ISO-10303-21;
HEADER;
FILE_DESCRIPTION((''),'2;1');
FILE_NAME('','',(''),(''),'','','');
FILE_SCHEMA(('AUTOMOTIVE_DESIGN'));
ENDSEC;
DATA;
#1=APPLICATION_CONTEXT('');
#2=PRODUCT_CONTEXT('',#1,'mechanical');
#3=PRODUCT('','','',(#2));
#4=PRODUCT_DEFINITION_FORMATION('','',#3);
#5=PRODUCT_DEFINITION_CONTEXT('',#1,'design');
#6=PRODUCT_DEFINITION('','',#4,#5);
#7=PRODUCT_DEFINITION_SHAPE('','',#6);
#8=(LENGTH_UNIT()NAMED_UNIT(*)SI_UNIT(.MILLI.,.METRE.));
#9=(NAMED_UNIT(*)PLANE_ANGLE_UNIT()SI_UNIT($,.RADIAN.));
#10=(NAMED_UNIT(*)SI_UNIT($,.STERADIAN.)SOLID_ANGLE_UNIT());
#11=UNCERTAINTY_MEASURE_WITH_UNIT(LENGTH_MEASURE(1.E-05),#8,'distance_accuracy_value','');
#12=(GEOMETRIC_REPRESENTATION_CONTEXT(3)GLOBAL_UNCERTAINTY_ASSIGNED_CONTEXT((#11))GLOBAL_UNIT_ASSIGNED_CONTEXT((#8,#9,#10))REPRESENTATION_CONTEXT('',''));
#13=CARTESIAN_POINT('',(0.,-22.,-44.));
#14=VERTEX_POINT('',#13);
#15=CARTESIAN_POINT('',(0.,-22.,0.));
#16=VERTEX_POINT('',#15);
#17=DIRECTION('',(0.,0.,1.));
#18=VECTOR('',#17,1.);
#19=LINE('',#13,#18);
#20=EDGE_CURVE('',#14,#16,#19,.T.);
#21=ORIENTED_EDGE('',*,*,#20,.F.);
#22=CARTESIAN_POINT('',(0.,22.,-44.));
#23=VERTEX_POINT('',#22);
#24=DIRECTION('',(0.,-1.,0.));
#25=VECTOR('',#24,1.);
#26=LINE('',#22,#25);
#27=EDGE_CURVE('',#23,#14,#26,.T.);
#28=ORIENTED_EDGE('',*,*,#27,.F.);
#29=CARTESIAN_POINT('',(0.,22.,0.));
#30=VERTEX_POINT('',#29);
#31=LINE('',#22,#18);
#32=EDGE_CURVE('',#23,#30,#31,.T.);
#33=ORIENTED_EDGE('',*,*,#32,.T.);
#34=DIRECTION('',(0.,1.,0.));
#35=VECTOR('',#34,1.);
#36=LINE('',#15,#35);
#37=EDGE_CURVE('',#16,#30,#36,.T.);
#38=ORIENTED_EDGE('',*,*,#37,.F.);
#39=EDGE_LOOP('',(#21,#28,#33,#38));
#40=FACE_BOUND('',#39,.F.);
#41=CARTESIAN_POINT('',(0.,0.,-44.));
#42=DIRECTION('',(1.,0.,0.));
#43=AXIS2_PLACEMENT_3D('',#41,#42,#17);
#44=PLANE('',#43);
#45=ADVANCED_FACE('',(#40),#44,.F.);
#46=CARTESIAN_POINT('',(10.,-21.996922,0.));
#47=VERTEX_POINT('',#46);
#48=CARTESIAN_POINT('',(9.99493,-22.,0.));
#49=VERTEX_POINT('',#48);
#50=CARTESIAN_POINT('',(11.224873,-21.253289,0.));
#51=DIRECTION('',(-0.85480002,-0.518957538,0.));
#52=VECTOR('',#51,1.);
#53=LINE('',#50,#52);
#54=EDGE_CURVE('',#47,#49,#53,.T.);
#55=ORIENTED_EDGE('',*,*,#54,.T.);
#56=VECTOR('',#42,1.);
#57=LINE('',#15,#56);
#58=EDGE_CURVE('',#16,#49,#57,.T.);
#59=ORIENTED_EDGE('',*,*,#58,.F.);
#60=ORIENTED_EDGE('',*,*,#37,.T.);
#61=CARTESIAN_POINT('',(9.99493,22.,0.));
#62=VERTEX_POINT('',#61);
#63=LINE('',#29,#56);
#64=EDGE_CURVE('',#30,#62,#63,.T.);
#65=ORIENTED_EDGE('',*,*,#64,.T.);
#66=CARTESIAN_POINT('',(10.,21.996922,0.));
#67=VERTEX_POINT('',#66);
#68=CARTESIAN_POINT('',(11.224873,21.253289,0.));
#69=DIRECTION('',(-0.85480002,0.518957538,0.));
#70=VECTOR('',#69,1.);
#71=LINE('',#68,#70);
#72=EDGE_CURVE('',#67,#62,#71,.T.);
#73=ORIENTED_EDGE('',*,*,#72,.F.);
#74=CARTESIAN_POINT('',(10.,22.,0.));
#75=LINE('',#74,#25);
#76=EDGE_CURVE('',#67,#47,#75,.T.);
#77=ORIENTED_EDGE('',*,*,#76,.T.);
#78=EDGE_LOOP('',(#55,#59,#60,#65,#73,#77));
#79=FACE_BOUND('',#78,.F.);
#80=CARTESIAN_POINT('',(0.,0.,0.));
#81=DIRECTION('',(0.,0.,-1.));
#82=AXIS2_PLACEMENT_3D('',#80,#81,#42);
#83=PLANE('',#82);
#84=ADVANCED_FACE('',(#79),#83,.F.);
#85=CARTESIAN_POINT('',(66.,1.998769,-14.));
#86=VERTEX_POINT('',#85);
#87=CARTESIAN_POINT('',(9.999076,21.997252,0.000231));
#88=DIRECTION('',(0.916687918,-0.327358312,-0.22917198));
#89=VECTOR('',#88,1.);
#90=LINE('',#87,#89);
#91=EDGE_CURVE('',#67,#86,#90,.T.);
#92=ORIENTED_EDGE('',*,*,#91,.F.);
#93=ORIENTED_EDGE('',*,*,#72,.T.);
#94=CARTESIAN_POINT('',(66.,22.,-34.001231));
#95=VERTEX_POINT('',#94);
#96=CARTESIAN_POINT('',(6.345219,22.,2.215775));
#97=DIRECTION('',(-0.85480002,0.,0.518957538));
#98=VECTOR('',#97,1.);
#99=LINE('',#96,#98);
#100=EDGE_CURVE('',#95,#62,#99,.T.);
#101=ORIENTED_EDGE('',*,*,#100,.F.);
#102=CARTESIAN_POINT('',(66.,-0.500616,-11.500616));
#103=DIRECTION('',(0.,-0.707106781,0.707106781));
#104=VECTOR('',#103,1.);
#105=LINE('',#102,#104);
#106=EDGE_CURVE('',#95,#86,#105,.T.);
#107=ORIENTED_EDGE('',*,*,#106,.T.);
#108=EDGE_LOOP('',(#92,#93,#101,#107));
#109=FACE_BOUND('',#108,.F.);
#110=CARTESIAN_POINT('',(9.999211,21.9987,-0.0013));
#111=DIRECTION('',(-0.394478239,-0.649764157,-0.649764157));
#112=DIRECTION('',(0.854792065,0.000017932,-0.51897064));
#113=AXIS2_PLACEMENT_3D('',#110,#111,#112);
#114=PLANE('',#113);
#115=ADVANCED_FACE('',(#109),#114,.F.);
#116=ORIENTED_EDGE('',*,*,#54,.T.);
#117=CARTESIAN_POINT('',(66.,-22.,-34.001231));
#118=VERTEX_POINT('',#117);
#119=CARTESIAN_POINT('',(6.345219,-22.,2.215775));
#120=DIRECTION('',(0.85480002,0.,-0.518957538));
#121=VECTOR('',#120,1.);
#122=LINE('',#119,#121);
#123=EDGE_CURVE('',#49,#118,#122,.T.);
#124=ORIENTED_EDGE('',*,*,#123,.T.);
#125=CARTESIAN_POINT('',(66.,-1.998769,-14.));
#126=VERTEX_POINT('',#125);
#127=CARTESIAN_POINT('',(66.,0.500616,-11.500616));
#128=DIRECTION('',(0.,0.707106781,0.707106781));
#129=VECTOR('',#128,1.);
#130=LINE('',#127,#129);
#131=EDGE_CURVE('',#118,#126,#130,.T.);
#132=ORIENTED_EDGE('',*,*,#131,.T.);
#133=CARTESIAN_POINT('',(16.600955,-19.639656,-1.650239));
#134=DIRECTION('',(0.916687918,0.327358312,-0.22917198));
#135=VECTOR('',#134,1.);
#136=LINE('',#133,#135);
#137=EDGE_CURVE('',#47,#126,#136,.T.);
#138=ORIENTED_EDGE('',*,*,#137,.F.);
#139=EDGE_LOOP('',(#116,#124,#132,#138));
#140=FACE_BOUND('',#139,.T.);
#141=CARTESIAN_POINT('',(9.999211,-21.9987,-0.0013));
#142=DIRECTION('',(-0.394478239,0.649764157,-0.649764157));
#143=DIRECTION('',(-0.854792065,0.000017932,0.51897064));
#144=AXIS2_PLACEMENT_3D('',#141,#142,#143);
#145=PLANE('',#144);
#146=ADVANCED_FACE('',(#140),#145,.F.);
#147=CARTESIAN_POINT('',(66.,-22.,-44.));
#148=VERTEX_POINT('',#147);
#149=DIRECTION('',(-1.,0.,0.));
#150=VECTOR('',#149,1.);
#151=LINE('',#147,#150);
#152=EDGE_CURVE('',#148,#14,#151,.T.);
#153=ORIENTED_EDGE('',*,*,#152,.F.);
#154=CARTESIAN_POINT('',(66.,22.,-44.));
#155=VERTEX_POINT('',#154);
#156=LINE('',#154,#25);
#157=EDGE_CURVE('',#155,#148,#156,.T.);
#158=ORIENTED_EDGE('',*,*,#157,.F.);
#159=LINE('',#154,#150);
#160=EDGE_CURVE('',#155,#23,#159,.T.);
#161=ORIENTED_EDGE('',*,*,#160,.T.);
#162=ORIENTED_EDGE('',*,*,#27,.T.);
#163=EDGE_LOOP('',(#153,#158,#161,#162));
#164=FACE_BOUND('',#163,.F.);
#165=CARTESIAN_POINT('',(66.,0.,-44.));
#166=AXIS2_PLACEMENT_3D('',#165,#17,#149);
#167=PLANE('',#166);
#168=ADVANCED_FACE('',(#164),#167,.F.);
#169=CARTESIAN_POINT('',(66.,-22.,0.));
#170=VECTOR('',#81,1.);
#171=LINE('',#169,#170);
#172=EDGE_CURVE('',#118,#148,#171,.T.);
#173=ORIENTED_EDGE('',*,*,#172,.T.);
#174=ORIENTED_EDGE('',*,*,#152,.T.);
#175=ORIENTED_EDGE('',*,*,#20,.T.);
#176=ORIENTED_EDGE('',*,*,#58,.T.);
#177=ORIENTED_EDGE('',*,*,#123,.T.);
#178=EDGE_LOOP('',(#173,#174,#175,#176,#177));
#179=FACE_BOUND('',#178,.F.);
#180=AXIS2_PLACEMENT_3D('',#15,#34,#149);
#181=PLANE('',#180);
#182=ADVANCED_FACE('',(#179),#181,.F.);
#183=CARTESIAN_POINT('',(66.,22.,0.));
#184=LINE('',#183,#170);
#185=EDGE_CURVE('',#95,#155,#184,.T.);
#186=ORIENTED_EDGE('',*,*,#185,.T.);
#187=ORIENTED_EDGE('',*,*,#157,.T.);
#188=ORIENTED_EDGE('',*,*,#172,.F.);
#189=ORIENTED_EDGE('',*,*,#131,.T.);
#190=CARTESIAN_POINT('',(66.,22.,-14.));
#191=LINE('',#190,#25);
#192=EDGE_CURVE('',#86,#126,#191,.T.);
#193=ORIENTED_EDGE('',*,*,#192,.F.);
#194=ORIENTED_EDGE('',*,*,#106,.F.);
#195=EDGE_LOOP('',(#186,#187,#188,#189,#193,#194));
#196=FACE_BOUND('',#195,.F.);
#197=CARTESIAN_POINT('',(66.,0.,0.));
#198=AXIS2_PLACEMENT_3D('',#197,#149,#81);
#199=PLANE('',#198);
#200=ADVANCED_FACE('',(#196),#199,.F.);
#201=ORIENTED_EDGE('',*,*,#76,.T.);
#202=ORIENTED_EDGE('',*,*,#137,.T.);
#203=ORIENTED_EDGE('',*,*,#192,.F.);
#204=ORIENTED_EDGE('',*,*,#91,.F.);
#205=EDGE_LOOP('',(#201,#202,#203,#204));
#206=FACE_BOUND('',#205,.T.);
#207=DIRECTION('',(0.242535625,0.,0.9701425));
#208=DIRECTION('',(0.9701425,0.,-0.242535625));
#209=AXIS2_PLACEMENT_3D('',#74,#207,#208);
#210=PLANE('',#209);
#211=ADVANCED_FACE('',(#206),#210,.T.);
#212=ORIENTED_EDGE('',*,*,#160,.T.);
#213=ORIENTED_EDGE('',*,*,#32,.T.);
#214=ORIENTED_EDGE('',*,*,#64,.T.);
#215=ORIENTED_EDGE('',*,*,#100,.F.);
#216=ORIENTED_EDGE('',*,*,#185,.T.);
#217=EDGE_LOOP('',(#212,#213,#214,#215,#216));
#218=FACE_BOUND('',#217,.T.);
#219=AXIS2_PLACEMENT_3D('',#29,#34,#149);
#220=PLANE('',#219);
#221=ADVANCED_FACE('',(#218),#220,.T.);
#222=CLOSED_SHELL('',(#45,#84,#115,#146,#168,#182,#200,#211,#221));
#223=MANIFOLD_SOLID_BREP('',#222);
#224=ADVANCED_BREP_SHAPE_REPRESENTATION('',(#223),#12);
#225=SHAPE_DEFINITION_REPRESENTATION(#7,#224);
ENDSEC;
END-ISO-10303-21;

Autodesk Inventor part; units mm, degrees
ref_plane "YZ Plane" through (0, 0, 0) normal (1, 0, 0) x (0, 1, 0)
ref_plane "XZ Plane" through (0, 0, 0) normal (0, 1, 0) x (-1, 0, 0)
sketch "草圖1" plane through (0, 0, 0) normal (0, 1, 0) x (-1, 0, 0)
  line L0 (0, 0) -> (-66, 0)
  line L1 (-66, 0) -> (-66, -44)
  line L2 (-66, -44) -> (0, -44)
  line L3 (0, -44) -> (0, 0)
  dimension "d0" = 66
  dimension "d1" = 44
extrude "擠出1" add sketch "草圖1" along normal mid plane 44
sketch "草圖2" plane through (0, 22, 0) normal (0, 1, 0) x (1, 0, 0)
  line L0 (0, 0) -> (66, 0) projected
  line L1 (10, 0) -> (66, 14)
  line L2 (66, 0) -> (66, 44) projected
  dimension "d4" = 10
  dimension "d5" = 30
extrude "擠出2" cut sketch "草圖2" against normal blind 60
sketch "草圖3" plane through (66, -22, -44) normal (1, 0, 0) x (0, 0, -1)
  line L0 (-30, 24) -> (-10, 44)
  line L1 (0, 44) -> (-44, 44) projected
  line L2 (-30, 44) -> (-30, 0) projected
  point P0 (-44, 22)
  point P1 (-30, 2)
  dimension "d8" = 20
  dimension "d9" = 20
ref_plane "工作平面1" through (10, 22, 0) normal (-0.3945, -0.6498, -0.6498) x (0.8548, 0, -0.519)
sketch "草圖4" plane through (10, 22, 0) normal (-0.3945, -0.6498, -0.6498) x (0.8548, 0, -0.519)
  line L0 (-15.1543, -12.3218) -> (93.717, -12.3218)
  line L1 (93.717, -12.3218) -> (93.717, 28.8166)
  line L2 (93.717, 28.8166) -> (-15.1543, 28.8166)
  line L3 (-15.1543, 28.8166) -> (-15.1543, -12.3218)
  point P0 (-8.5479, 13.351)
extrude "擠出3" cut sketch "草圖4" against normal blind 40
mirror "鏡射1" about plane through (0, 0, 0) normal (0, 1, 0) of "擠出3"
properties part number "6465"
